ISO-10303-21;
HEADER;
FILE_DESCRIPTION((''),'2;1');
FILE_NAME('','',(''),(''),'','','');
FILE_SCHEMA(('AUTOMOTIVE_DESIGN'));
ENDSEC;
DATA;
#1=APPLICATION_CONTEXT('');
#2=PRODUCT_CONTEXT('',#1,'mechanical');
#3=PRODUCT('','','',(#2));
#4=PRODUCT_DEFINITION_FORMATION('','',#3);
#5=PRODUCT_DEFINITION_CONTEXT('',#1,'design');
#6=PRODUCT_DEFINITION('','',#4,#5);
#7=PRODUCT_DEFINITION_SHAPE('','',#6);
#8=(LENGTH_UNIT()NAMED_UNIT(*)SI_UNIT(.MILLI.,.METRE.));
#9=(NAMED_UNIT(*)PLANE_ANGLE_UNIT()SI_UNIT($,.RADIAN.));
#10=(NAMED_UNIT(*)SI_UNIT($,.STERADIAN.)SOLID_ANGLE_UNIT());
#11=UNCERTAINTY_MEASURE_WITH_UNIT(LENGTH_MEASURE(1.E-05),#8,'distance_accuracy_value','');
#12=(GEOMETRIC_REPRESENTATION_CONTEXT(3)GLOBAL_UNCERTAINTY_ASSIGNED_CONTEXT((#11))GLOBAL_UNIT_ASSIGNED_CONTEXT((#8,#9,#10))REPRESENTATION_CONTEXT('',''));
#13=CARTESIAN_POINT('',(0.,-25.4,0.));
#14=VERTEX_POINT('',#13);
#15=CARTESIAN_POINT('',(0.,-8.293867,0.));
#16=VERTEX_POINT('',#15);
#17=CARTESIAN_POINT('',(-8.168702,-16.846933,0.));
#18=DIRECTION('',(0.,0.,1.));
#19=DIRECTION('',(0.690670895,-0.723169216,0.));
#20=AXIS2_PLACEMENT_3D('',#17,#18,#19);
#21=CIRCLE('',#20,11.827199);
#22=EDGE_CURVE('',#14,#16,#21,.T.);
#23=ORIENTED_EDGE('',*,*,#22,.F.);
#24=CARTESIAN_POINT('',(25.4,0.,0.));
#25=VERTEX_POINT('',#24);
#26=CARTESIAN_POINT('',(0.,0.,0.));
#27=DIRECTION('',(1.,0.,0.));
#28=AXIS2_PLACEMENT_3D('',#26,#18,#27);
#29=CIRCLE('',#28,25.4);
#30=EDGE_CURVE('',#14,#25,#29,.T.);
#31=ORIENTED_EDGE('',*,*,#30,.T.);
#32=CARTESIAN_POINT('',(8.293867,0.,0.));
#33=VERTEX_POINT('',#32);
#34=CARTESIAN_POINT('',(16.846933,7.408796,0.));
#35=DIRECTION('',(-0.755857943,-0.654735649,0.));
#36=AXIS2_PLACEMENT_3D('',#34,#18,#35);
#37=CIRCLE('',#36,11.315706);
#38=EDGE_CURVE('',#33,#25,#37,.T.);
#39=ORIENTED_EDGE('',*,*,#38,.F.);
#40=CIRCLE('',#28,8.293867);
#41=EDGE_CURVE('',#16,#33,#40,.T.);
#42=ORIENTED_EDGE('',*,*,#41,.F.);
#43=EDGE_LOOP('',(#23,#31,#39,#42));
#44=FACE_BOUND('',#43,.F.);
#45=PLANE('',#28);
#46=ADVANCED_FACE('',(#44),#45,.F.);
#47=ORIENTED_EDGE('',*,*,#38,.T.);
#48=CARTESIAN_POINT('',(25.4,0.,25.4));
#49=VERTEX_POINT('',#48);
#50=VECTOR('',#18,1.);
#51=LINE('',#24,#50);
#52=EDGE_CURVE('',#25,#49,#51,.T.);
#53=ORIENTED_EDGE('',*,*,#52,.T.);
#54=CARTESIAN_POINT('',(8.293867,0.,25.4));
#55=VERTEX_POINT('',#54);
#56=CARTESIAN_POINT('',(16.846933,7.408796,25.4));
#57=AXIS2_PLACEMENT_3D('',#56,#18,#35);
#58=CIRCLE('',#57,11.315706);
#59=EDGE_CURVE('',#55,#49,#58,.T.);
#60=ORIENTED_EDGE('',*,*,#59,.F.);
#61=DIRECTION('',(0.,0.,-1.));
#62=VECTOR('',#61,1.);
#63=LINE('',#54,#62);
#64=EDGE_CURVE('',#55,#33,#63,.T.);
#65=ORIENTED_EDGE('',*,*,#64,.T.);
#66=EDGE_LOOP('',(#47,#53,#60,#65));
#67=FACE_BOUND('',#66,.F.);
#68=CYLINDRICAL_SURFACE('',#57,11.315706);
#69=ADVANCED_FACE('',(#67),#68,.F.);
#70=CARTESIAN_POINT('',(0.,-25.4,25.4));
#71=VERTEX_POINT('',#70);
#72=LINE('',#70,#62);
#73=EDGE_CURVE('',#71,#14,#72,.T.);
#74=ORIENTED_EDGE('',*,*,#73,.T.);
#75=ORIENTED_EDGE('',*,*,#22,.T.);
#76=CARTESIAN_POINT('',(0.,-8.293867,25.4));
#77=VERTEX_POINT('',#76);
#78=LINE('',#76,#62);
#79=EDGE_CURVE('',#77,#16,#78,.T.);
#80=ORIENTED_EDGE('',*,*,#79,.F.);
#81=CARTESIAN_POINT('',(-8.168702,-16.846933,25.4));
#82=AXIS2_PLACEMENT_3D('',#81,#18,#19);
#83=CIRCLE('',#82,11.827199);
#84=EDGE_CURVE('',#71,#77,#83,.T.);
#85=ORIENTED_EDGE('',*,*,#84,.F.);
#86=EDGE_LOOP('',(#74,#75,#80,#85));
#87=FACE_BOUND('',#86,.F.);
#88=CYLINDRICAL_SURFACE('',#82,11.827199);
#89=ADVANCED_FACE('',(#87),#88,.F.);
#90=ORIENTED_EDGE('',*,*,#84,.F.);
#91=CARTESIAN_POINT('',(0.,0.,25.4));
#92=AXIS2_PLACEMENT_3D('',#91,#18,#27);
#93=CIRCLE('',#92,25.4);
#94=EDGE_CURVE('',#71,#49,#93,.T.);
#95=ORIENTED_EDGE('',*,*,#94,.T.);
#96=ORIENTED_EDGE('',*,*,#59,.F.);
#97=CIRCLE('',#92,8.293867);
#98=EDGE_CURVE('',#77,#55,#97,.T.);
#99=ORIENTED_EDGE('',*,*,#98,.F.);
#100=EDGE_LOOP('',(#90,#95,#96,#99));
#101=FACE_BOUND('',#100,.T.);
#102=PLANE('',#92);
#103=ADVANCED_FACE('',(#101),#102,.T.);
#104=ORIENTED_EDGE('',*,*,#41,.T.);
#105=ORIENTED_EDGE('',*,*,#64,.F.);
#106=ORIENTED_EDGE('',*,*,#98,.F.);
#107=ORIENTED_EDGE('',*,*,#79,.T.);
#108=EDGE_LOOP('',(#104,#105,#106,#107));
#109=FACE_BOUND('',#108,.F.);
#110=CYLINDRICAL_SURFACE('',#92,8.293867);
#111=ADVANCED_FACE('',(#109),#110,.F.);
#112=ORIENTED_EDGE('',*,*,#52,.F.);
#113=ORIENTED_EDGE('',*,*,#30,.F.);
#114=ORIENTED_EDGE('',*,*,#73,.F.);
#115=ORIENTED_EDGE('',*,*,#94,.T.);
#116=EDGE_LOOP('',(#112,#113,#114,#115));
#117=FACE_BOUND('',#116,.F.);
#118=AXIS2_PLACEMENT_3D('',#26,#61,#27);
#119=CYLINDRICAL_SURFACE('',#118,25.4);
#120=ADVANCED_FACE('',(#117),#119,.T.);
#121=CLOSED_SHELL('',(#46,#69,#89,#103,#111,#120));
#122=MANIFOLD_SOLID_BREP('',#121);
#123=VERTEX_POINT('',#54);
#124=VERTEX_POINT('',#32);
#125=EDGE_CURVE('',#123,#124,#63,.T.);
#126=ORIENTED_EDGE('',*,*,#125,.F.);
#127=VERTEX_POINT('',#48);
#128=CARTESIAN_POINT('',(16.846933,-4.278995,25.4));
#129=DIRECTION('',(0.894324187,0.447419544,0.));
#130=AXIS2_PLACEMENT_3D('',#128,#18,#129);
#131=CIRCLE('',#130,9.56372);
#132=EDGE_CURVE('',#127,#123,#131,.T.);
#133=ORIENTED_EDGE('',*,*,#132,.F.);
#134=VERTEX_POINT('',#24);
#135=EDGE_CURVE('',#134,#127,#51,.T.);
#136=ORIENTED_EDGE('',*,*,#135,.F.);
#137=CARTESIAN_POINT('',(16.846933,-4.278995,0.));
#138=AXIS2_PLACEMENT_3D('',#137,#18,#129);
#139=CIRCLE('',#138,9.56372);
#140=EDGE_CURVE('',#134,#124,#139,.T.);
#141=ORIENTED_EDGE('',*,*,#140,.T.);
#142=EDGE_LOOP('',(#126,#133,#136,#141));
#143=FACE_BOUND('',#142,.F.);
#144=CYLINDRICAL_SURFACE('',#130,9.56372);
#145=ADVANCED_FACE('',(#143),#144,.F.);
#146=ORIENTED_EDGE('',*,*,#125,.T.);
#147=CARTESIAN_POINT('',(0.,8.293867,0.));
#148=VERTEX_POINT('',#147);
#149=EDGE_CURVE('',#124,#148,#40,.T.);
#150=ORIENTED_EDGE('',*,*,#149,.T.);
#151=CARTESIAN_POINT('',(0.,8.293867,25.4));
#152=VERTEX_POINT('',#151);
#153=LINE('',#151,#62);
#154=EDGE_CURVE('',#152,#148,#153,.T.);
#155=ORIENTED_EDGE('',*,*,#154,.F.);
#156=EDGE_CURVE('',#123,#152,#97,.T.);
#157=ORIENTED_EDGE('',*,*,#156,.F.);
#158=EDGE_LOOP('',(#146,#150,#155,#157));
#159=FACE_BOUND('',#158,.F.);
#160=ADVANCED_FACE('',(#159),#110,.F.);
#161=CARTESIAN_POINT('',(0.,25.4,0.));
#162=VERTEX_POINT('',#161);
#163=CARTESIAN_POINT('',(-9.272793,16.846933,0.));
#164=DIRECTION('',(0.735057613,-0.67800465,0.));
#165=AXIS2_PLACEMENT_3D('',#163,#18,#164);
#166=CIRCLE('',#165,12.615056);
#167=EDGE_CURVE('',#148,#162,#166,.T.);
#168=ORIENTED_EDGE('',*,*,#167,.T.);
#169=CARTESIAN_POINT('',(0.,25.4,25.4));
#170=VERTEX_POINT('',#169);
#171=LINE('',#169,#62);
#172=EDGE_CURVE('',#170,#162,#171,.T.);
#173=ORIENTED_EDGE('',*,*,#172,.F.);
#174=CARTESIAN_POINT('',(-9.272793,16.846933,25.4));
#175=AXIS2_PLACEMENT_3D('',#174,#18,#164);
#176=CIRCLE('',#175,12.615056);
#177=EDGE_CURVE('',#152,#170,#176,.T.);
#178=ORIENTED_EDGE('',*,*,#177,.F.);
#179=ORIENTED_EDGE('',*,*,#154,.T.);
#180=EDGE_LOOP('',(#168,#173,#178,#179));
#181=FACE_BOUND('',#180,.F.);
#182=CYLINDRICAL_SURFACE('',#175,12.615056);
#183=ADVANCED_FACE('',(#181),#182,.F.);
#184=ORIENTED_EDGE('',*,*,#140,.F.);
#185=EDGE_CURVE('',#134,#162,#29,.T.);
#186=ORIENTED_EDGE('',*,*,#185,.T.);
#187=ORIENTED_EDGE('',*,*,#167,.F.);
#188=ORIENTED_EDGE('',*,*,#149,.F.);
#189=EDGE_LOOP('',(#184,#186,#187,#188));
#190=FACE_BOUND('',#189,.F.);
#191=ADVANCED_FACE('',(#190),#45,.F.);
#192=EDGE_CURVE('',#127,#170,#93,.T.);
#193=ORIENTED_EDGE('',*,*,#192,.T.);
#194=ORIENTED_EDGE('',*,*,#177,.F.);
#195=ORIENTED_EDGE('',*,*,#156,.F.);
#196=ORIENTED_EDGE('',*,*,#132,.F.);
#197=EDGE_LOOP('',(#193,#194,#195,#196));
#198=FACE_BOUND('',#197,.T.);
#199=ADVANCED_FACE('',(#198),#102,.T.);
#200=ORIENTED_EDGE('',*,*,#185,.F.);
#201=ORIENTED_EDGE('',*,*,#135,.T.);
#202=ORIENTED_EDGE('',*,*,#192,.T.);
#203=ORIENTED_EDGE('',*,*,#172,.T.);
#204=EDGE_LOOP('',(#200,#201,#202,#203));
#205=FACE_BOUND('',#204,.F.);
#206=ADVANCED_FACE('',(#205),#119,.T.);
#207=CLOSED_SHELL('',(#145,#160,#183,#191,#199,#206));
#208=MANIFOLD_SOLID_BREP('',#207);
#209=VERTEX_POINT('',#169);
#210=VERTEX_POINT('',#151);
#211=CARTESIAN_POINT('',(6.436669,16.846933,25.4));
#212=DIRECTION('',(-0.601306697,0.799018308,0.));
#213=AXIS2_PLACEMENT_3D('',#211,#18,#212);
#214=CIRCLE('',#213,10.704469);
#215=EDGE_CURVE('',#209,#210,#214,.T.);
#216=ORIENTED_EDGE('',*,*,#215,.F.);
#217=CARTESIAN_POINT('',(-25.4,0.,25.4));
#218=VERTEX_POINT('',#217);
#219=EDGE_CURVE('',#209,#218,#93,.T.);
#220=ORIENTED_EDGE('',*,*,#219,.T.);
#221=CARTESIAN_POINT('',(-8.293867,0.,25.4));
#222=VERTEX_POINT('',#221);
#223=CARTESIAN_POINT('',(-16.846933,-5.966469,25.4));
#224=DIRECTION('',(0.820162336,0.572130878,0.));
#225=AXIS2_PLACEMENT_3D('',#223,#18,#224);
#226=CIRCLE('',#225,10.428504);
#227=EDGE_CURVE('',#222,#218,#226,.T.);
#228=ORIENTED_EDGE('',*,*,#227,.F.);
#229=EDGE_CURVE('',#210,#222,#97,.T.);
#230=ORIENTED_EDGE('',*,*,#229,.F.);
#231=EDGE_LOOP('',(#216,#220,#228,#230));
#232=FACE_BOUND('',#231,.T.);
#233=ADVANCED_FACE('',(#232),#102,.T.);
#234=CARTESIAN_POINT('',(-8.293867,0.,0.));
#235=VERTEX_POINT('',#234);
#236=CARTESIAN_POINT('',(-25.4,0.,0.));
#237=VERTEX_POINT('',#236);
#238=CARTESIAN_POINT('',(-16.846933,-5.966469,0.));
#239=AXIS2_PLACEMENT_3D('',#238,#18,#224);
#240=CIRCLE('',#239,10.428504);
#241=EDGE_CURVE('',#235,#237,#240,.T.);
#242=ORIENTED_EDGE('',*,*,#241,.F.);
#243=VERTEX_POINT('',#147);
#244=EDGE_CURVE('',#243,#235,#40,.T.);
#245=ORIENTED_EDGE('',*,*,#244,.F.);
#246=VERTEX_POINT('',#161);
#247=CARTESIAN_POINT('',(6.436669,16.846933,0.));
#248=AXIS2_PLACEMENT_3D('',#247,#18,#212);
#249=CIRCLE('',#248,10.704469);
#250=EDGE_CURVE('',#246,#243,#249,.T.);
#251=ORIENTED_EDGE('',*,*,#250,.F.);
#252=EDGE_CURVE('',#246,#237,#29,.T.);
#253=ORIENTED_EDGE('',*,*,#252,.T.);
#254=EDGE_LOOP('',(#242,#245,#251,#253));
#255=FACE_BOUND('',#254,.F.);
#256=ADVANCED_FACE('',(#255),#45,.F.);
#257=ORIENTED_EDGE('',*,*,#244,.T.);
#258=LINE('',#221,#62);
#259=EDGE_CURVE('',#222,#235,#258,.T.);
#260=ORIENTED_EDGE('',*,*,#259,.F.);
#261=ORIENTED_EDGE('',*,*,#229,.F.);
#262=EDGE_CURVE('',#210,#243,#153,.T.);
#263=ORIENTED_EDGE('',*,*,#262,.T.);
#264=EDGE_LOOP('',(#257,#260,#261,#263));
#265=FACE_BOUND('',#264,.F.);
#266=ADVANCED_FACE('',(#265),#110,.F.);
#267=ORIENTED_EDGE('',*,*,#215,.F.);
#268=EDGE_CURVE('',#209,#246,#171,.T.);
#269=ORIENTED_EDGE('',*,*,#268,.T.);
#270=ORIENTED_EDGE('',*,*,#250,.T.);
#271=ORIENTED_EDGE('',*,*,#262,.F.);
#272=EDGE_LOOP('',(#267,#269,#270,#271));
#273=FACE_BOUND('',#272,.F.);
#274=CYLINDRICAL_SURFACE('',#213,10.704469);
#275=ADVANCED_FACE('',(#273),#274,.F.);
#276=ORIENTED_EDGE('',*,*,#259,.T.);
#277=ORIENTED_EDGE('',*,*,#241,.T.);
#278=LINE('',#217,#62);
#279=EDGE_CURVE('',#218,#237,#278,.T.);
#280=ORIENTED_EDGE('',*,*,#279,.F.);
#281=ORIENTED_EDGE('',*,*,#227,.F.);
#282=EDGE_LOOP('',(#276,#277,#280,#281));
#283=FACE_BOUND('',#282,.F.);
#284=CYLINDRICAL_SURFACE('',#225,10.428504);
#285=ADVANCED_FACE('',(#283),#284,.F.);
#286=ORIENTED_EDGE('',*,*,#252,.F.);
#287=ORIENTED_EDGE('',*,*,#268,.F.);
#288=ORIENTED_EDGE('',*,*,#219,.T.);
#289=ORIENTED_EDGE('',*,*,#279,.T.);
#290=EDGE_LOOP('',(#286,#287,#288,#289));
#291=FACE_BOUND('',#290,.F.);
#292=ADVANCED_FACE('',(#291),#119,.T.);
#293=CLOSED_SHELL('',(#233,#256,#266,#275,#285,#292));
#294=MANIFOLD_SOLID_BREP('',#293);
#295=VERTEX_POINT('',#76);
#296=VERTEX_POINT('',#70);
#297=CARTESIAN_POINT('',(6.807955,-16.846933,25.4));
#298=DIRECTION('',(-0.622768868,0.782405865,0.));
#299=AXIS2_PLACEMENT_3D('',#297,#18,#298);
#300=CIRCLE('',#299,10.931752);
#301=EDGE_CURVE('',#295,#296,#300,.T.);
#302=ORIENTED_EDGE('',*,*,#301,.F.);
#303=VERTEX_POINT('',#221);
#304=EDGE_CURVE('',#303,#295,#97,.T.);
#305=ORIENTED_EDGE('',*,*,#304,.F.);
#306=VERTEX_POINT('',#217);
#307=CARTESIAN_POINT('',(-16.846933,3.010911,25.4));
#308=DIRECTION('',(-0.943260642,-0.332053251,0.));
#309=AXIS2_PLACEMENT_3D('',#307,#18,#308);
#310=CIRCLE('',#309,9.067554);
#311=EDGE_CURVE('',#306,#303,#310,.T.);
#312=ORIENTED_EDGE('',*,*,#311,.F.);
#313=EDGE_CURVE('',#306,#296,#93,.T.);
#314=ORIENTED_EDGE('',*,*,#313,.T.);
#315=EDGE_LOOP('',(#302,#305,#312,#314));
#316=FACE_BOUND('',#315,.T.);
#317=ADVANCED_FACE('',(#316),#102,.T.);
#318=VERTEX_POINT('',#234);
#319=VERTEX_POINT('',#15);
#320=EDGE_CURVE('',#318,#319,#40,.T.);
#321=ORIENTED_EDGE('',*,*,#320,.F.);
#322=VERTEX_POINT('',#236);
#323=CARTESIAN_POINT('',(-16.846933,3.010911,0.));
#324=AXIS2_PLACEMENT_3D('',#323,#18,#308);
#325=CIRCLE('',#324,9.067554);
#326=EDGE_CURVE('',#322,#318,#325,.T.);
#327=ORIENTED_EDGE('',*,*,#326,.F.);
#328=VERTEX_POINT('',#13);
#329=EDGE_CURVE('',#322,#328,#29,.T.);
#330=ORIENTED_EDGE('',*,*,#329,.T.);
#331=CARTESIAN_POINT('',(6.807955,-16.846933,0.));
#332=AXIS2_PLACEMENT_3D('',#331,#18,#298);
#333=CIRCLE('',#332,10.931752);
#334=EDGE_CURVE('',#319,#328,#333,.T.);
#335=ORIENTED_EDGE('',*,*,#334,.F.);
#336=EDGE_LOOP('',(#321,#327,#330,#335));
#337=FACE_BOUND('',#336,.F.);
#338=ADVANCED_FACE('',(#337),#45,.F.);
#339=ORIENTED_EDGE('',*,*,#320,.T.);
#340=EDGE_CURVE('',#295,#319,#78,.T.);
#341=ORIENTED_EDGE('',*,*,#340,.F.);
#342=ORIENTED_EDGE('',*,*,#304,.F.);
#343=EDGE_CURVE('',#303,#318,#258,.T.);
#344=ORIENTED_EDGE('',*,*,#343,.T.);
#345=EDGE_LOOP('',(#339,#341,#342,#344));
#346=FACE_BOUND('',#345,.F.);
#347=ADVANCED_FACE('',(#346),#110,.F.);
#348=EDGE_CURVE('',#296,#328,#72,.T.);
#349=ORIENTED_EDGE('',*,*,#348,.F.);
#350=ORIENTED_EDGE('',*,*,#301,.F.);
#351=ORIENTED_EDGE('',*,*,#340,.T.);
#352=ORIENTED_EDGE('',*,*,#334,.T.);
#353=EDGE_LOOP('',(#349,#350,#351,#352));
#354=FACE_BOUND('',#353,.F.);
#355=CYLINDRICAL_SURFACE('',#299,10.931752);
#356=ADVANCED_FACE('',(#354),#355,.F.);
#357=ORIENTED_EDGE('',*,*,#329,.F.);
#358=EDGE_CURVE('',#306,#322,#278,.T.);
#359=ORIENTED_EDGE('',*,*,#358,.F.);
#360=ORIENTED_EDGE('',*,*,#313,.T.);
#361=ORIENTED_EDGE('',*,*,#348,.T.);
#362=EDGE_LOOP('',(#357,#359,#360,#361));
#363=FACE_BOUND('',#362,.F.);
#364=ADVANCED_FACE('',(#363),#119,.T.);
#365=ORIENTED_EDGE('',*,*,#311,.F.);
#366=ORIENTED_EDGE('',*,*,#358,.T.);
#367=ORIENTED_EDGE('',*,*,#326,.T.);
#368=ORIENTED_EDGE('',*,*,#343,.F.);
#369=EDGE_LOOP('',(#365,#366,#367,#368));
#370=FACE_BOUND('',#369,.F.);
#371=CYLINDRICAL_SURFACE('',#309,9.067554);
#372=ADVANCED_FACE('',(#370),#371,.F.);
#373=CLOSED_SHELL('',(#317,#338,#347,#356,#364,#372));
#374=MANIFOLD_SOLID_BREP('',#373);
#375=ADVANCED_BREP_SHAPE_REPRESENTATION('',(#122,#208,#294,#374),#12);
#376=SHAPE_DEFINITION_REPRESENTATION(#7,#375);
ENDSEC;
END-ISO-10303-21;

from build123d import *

# Parameters (mm, degrees)
F0_R     = 25.4
F1_DEPTH = 25.4
F2_R     = 8.293867
F3_DEPTH = 25.401
F5_DEPTH = 25.401


with BuildPart() as f1:
    # F0 (on Top) → F1 (new body)
    with BuildSketch(Plane.XY):
        Circle(F0_R)
    extrude(amount=F1_DEPTH)

    # F2 (on face) → F3 (cut, through all)
    with BuildSketch(Plane.XY.offset(25.4)):
        Circle(F2_R)
    extrude(amount=-F3_DEPTH, mode=Mode.SUBTRACT)

    # F4 (on face) → F5 (cut, through all)
    with BuildSketch(Plane.XY.offset(25.4)):
        with BuildLine():
            ThreePointArc((0, 8.293867), (3.342263, 16.846933), (0, 25.4))
            ThreePointArc((0, 25.4), (-4.2678, 16.846933), (0, 8.293867))
        make_face()
        with BuildLine():
            ThreePointArc((8.293867, 0), (16.846933, -3.90691), (25.4, 0))
            ThreePointArc((25.4, 0), (16.846933, 5.284725), (8.293867, 0))
        make_face()
        with BuildLine():
            ThreePointArc((-8.293867, 0), (-16.846933, 4.462035), (-25.4, 0))
            ThreePointArc((-25.4, 0), (-16.846933, -6.056643), (-8.293867, 0))
        make_face()
        with BuildLine():
            ThreePointArc((0, -8.293867), (-4.123797, -16.846933), (0, -25.4))
            ThreePointArc((0, -25.4), (3.658497, -16.846933), (0, -8.293867))
        make_face()
    extrude(amount=-F5_DEPTH, mode=Mode.SUBTRACT)


solid = f1.part
